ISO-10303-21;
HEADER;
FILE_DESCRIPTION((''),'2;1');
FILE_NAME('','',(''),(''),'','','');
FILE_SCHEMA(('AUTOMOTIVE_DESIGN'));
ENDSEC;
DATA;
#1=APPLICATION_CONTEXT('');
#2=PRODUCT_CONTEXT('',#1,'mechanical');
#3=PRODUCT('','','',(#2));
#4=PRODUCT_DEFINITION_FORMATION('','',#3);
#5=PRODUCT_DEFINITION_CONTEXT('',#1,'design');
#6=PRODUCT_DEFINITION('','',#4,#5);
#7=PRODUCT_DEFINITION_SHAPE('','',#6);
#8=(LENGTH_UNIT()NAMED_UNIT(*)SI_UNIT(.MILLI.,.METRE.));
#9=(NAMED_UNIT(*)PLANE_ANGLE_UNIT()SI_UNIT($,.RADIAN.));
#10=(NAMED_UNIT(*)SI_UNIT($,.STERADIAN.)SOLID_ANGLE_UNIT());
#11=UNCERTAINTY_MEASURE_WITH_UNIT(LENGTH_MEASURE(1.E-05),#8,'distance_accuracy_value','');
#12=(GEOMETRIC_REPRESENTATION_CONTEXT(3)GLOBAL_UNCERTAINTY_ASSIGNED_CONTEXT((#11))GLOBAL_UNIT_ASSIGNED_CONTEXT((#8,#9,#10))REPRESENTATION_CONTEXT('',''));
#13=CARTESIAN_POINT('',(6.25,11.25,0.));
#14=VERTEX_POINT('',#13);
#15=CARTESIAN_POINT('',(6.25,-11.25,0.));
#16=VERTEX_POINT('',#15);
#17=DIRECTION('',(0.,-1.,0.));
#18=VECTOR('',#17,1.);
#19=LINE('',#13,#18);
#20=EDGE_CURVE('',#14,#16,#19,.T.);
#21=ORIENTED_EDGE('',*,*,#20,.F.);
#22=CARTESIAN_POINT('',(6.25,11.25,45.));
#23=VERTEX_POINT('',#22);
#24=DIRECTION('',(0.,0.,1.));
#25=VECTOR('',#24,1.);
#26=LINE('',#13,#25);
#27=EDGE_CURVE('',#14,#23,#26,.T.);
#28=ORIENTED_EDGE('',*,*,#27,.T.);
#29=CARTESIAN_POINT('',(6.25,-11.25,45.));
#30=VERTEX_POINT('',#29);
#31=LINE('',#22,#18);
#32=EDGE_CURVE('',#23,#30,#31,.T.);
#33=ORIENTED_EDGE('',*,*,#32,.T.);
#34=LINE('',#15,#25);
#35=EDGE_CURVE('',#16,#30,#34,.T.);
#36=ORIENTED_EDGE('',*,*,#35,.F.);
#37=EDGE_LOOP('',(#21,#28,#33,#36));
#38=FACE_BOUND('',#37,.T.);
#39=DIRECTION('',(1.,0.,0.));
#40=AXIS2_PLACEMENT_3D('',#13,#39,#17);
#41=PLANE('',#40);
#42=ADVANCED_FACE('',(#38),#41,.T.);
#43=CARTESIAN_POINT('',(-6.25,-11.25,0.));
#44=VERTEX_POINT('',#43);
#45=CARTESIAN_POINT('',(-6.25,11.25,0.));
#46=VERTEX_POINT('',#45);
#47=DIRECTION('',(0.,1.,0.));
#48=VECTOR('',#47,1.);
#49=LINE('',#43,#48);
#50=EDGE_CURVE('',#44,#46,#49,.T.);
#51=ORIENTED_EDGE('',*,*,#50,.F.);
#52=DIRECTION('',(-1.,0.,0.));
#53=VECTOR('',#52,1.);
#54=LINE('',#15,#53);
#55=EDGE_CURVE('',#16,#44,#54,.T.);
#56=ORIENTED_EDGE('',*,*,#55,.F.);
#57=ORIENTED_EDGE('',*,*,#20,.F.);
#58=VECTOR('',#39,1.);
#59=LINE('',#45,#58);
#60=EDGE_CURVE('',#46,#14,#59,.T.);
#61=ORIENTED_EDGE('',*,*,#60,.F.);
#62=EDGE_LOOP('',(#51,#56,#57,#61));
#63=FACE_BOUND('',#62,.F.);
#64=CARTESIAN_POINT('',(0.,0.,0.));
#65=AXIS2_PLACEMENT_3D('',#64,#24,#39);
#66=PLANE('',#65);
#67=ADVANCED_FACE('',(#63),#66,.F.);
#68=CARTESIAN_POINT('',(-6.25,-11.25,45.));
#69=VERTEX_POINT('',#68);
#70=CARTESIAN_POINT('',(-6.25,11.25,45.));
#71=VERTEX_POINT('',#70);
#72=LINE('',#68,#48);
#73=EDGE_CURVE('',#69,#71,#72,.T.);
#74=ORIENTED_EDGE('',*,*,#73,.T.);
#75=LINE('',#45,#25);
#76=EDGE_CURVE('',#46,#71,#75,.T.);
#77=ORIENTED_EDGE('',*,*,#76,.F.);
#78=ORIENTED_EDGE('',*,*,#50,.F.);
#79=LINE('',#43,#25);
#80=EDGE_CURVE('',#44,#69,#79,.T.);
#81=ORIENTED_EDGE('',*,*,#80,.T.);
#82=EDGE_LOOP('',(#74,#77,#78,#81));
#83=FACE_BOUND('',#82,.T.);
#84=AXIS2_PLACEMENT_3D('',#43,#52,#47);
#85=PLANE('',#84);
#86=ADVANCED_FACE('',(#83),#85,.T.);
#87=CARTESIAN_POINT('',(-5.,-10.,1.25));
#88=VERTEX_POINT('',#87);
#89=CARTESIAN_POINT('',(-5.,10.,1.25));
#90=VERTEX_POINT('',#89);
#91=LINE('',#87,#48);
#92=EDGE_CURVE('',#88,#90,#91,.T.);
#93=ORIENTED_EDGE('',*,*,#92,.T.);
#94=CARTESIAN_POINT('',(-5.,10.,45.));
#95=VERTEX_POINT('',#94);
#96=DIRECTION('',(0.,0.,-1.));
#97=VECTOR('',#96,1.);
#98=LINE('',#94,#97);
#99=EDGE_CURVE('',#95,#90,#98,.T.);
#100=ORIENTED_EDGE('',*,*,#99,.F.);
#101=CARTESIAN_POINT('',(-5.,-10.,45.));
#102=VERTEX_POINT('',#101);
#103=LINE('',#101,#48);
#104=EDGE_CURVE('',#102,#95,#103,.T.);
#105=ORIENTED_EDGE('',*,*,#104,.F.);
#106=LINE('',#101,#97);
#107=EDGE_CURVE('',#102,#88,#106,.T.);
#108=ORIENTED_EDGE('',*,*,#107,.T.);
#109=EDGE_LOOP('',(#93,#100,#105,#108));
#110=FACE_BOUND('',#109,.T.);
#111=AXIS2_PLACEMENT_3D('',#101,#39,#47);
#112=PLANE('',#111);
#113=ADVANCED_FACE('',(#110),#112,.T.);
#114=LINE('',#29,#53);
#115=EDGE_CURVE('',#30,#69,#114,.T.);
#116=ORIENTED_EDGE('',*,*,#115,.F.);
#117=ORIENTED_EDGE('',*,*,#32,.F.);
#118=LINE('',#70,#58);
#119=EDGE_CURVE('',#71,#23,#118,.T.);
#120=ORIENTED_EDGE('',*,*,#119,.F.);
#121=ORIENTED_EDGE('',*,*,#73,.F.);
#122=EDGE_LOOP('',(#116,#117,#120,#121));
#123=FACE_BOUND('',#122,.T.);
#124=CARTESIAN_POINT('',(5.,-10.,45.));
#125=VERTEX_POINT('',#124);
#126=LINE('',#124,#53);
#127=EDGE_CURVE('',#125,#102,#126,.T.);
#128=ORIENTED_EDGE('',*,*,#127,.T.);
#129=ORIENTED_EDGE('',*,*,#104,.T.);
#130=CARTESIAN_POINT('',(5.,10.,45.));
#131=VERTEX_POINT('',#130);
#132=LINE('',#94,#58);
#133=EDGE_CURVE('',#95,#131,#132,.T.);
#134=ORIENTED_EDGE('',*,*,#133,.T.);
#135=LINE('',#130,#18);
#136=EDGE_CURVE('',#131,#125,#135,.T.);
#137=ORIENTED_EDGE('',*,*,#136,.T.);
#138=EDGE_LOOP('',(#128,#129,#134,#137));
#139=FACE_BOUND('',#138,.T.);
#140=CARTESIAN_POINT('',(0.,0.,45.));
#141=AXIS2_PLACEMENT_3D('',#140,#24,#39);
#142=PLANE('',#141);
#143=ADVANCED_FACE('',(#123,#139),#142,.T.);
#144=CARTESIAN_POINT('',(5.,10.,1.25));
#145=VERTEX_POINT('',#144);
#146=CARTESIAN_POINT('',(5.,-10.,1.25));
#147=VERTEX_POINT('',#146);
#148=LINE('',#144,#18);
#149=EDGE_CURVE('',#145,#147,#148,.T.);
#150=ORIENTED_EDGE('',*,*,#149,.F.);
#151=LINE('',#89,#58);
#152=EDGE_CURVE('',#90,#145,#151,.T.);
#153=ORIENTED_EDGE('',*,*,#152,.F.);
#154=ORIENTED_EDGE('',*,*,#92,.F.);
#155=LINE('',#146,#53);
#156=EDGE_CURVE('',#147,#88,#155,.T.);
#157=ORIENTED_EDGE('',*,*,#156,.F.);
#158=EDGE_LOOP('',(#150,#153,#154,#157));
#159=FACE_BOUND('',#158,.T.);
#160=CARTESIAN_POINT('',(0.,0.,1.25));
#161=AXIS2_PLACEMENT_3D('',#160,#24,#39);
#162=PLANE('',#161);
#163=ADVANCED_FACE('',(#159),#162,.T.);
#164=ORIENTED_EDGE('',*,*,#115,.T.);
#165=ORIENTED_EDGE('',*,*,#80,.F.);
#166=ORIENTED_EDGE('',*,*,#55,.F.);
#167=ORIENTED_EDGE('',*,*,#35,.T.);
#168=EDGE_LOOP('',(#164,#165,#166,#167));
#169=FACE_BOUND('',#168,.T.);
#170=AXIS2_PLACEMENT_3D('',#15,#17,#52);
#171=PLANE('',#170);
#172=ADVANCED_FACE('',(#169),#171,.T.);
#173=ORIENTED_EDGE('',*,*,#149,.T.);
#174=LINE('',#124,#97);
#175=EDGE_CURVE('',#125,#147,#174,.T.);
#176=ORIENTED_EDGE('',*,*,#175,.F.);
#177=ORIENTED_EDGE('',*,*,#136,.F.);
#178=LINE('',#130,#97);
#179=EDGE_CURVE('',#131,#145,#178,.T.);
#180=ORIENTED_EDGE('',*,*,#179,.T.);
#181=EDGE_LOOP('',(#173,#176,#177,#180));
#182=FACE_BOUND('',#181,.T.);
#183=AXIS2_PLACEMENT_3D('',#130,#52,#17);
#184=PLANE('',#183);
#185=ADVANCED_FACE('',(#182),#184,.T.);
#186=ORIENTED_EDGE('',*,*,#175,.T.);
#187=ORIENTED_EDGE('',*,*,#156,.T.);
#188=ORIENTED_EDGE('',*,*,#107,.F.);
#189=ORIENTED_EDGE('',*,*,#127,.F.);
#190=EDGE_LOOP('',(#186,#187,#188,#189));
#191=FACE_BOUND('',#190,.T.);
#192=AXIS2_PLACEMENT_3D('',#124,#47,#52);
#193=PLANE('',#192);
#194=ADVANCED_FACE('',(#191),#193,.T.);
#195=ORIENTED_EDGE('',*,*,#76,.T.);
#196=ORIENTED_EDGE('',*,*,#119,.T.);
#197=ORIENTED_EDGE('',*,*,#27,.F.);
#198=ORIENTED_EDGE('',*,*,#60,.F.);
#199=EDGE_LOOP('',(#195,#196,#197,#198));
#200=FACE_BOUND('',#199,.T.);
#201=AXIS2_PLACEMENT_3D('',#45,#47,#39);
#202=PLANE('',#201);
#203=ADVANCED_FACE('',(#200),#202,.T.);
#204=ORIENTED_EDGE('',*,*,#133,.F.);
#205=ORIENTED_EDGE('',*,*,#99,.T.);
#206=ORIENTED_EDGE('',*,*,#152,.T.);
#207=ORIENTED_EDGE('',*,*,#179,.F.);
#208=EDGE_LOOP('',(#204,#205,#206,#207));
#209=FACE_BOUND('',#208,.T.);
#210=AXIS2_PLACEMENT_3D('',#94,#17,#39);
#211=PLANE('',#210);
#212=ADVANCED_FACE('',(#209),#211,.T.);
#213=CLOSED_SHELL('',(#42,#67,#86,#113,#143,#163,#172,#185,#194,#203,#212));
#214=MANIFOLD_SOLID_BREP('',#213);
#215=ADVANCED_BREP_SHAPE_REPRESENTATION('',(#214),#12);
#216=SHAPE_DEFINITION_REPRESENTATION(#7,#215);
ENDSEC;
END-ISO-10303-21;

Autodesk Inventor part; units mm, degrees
ref_plane "YZ Plane" through (0, 0, 0) normal (1, 0, 0) x (0, 1, 0)
ref_plane "XZ Plane" through (0, 0, 0) normal (0, 1, 0) x (-1, 0, 0)
ref_plane "XY Plane" through (0, 0, 0) normal (0, 0, 1) x (1, 0, 0)
sketch "Sketch1" plane through (0, 0, 0) normal (0, 0, 1) x (1, 0, 0)
  line L0 (0, 15.75) -> (0, -15.75) construction
  line L1 (-8.75, 0) -> (8.75, 0) construction
  line L2 (-6.25, 11.25) -> (6.25, 11.25)
  line L3 (6.25, 11.25) -> (6.25, -11.25)
  line L4 (6.25, -11.25) -> (-6.25, -11.25)
  line L5 (-6.25, -11.25) -> (-6.25, 11.25)
  point P0 (0, 0)
  dimension "d0" = 22.5
  dimension "d1" = 12.5
extrude "Extrusion1" add sketch "Sketch1" along normal blind 45
sketch "Sketch2" plane through (0, 0, 45) normal (0, 0, 1) x (1, 0, 0)
  line L0 (-6.25, 11.25) -> (6.25, 11.25) projected
  line L1 (-6.25, -11.25) -> (-6.25, 11.25) projected
  line L2 (-5, 10) -> (5, 10)
  line L3 (5, 10) -> (5, -10)
  line L4 (5, -10) -> (-5, -10)
  line L5 (-5, -10) -> (-5, 10)
  point P0 (0, 0)
  dimension "d4" = 10
  dimension "d5" = 20
  dimension "d6" = 1.25
  dimension "d7" = 1.25
extrude "Extrusion2" cut sketch "Sketch2" against normal blind 43.75
properties part number "Küvette_20mm" material "Glass"
